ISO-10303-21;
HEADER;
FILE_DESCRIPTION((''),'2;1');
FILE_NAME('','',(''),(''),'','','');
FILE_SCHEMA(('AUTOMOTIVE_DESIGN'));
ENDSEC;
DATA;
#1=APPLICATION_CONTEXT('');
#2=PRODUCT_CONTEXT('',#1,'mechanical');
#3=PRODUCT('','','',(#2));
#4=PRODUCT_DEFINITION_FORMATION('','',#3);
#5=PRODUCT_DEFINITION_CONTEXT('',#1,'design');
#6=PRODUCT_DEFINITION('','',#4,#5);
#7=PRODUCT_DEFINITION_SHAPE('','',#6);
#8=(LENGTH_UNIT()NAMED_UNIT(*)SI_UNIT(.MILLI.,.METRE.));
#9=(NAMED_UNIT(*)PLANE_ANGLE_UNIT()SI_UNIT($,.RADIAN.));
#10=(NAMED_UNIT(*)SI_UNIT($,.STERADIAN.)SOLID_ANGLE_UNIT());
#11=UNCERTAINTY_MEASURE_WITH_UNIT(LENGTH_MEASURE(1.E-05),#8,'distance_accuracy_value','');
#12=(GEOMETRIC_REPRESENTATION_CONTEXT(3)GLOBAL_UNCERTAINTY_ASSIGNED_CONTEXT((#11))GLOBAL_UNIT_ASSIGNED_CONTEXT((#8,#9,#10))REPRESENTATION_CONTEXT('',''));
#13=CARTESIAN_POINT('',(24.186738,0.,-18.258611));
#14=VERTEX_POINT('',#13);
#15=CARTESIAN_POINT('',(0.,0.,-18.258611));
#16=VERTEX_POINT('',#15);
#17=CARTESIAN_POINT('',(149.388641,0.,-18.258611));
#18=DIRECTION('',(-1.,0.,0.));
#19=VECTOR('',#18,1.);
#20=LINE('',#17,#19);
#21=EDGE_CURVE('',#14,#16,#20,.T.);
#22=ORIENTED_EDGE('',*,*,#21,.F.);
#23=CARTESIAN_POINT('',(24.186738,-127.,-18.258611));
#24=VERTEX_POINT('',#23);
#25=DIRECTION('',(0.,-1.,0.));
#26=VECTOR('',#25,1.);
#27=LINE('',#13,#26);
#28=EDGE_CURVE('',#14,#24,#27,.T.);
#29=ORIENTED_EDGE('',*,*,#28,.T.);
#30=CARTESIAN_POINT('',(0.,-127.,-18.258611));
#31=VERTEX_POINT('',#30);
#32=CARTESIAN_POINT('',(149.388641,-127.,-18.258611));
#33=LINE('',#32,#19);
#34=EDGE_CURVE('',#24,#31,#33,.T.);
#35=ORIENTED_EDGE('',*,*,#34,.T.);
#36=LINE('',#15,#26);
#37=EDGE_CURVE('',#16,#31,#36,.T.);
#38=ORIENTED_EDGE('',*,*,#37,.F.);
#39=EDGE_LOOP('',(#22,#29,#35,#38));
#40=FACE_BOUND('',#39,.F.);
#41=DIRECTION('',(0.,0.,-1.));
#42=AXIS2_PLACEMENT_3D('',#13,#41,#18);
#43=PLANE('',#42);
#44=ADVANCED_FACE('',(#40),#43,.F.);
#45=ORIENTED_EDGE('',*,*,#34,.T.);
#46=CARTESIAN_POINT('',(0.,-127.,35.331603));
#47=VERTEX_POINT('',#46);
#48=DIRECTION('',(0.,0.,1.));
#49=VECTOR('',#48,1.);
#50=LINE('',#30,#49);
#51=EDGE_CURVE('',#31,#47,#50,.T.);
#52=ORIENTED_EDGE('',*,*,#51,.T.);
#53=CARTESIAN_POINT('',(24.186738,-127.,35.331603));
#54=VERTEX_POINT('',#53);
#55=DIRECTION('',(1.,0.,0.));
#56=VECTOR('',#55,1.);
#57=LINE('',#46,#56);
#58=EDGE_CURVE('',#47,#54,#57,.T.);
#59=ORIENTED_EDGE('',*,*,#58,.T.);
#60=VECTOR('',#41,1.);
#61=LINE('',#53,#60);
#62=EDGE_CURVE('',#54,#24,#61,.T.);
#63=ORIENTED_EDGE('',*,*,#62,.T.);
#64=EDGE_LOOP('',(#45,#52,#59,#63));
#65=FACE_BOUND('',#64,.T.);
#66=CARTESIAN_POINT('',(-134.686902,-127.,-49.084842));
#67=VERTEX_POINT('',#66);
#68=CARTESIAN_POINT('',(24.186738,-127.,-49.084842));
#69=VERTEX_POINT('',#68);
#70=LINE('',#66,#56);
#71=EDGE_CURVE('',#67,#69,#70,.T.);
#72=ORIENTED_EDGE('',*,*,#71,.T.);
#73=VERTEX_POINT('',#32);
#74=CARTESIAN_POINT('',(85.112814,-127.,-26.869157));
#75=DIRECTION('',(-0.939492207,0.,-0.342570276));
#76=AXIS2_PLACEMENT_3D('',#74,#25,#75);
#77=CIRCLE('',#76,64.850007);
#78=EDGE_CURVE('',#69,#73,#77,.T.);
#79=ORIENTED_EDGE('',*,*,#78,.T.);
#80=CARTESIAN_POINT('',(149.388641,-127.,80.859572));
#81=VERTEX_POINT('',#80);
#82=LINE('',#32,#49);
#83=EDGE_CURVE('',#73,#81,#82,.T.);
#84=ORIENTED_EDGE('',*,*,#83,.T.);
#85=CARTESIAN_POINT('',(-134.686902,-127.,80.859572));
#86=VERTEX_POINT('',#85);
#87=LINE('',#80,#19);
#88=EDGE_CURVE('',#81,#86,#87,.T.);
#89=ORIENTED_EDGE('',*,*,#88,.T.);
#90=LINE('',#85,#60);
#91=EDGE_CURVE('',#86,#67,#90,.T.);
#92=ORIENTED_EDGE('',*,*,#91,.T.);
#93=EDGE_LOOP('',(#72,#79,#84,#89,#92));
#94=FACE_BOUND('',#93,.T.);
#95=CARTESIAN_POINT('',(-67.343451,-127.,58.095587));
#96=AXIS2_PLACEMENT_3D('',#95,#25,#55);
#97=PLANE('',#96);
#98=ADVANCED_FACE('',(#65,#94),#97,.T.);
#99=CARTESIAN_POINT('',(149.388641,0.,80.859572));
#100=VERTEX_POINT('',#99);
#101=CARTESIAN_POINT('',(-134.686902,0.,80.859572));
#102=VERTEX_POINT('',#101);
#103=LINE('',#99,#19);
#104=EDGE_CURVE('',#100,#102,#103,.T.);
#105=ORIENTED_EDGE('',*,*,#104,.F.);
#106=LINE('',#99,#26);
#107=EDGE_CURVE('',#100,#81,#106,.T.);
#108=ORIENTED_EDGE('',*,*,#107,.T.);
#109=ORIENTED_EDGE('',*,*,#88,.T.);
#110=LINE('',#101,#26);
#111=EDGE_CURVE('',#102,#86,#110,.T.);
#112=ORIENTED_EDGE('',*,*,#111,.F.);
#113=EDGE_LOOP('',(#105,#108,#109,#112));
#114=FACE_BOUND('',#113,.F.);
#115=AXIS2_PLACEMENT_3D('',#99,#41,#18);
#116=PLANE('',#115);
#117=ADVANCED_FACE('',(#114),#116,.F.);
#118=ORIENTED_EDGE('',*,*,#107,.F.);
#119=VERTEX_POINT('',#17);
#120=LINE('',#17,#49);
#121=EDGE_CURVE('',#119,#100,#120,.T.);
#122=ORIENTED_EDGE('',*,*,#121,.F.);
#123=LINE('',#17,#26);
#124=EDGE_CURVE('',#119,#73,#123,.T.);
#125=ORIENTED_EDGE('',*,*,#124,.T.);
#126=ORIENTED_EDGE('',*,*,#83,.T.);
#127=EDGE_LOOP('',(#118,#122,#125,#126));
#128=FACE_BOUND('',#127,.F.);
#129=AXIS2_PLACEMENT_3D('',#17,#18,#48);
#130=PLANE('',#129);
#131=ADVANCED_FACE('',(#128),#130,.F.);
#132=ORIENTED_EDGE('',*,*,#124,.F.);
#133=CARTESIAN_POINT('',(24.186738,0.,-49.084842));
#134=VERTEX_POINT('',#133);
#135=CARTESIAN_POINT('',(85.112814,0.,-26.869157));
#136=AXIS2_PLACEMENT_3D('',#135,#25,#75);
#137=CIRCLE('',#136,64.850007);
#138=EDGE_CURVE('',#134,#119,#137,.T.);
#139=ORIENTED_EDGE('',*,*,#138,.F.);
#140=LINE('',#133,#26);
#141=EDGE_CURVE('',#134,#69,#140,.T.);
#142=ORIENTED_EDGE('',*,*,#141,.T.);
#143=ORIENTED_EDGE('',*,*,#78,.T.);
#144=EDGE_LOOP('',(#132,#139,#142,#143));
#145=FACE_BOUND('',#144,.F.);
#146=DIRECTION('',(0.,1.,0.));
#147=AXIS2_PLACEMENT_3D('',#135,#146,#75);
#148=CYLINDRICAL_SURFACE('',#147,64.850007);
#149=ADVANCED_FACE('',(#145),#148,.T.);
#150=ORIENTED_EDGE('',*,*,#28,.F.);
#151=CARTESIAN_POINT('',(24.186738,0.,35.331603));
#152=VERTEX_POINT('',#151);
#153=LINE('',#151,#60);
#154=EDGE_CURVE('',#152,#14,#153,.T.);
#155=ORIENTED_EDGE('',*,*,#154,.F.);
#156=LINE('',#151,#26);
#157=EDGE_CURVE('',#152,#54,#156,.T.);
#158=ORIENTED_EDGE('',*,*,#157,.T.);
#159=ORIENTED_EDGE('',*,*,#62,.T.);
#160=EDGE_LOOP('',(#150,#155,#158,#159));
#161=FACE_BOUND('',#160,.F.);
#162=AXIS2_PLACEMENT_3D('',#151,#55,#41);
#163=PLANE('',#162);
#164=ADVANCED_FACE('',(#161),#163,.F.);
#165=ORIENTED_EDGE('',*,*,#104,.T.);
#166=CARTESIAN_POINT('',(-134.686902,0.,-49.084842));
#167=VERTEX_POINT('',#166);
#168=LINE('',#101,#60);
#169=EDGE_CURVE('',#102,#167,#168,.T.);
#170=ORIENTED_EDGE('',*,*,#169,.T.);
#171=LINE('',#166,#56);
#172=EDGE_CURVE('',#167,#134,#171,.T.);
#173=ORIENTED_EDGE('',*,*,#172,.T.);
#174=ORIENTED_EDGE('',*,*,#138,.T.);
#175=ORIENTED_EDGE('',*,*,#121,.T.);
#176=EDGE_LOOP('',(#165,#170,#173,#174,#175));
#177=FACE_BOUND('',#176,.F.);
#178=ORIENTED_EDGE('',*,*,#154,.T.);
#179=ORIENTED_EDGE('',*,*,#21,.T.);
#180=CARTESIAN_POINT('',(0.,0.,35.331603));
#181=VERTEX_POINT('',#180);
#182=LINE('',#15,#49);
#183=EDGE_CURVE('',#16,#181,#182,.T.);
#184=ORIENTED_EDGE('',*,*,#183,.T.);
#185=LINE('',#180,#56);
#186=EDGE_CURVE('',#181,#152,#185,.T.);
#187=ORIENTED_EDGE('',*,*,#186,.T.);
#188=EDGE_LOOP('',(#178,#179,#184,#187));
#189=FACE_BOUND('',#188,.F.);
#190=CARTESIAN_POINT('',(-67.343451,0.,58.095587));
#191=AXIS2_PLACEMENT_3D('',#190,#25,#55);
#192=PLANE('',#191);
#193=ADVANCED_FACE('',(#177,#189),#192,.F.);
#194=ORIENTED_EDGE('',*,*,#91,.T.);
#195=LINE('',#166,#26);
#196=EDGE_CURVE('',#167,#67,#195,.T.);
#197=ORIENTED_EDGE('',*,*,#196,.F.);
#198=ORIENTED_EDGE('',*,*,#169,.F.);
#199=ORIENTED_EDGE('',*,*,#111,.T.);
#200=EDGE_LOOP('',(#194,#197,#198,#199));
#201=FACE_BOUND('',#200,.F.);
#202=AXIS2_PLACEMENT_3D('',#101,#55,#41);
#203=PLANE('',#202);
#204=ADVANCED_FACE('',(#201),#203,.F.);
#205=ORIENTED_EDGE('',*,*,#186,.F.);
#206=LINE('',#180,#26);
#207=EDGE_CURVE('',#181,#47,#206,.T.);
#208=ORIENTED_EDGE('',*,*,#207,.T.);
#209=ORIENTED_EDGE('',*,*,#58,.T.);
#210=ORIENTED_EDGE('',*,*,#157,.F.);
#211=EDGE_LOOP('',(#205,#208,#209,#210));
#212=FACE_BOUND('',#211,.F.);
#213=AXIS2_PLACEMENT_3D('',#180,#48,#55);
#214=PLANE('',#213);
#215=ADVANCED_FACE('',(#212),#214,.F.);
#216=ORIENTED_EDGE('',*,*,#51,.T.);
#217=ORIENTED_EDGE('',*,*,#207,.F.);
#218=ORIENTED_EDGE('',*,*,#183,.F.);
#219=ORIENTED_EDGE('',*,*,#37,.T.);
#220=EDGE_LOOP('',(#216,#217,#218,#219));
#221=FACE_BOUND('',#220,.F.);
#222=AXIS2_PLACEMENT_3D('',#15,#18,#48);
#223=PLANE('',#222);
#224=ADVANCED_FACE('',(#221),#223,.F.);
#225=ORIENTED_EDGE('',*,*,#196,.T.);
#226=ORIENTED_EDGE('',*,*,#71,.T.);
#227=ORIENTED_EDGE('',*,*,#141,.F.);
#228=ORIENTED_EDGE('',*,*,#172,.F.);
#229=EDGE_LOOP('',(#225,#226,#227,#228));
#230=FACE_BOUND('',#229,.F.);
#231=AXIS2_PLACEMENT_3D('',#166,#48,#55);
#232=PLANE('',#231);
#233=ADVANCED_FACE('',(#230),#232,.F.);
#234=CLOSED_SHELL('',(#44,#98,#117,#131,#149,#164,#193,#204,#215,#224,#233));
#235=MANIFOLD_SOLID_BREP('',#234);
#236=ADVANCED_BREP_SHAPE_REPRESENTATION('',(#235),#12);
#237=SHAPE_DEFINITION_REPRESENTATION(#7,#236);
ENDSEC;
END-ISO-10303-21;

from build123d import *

# Parameters (mm, degrees)
F0_W     = 134.6869021654
F0_H     = 45.5279685557
F1_DEPTH = 127


with BuildPart() as f1:
    # F0 (on Front) → F1 (new body)
    with BuildSketch(Plane.XZ):
        with Locations((-67.3434510827, 58.0955874175)):
            Rectangle(F0_W, F0_H)
        Polygon((0, -18.2586107403), (0, 35.3316031396), (-134.6869021654, 35.3316031396), (-134.6869021654, -49.084842205), (24.1867378354, -49.084842205), (24.1867378354, -18.2586107403), align=None)
        with BuildLine():
            ThreePointArc((24.1867378354, -49.084842205), (100.6166635351, -89.8386268766), (149.388641119, -18.2586107403))
            Line((149.388641119, -18.2586107403), (24.1867378354, -18.2586107403))
            Line((24.1867378354, -18.2586107403), (24.1867378354, -49.084842205))
        make_face()
        Polygon((149.388641119, 80.8595716953), (0, 80.8595716953), (0, 35.3316031396), (24.1867378354, 35.3316031396), (24.1867378354, -18.2586107403), (149.388641119, -18.2586107403), align=None)
    extrude(amount=F1_DEPTH)


solid = f1.part
